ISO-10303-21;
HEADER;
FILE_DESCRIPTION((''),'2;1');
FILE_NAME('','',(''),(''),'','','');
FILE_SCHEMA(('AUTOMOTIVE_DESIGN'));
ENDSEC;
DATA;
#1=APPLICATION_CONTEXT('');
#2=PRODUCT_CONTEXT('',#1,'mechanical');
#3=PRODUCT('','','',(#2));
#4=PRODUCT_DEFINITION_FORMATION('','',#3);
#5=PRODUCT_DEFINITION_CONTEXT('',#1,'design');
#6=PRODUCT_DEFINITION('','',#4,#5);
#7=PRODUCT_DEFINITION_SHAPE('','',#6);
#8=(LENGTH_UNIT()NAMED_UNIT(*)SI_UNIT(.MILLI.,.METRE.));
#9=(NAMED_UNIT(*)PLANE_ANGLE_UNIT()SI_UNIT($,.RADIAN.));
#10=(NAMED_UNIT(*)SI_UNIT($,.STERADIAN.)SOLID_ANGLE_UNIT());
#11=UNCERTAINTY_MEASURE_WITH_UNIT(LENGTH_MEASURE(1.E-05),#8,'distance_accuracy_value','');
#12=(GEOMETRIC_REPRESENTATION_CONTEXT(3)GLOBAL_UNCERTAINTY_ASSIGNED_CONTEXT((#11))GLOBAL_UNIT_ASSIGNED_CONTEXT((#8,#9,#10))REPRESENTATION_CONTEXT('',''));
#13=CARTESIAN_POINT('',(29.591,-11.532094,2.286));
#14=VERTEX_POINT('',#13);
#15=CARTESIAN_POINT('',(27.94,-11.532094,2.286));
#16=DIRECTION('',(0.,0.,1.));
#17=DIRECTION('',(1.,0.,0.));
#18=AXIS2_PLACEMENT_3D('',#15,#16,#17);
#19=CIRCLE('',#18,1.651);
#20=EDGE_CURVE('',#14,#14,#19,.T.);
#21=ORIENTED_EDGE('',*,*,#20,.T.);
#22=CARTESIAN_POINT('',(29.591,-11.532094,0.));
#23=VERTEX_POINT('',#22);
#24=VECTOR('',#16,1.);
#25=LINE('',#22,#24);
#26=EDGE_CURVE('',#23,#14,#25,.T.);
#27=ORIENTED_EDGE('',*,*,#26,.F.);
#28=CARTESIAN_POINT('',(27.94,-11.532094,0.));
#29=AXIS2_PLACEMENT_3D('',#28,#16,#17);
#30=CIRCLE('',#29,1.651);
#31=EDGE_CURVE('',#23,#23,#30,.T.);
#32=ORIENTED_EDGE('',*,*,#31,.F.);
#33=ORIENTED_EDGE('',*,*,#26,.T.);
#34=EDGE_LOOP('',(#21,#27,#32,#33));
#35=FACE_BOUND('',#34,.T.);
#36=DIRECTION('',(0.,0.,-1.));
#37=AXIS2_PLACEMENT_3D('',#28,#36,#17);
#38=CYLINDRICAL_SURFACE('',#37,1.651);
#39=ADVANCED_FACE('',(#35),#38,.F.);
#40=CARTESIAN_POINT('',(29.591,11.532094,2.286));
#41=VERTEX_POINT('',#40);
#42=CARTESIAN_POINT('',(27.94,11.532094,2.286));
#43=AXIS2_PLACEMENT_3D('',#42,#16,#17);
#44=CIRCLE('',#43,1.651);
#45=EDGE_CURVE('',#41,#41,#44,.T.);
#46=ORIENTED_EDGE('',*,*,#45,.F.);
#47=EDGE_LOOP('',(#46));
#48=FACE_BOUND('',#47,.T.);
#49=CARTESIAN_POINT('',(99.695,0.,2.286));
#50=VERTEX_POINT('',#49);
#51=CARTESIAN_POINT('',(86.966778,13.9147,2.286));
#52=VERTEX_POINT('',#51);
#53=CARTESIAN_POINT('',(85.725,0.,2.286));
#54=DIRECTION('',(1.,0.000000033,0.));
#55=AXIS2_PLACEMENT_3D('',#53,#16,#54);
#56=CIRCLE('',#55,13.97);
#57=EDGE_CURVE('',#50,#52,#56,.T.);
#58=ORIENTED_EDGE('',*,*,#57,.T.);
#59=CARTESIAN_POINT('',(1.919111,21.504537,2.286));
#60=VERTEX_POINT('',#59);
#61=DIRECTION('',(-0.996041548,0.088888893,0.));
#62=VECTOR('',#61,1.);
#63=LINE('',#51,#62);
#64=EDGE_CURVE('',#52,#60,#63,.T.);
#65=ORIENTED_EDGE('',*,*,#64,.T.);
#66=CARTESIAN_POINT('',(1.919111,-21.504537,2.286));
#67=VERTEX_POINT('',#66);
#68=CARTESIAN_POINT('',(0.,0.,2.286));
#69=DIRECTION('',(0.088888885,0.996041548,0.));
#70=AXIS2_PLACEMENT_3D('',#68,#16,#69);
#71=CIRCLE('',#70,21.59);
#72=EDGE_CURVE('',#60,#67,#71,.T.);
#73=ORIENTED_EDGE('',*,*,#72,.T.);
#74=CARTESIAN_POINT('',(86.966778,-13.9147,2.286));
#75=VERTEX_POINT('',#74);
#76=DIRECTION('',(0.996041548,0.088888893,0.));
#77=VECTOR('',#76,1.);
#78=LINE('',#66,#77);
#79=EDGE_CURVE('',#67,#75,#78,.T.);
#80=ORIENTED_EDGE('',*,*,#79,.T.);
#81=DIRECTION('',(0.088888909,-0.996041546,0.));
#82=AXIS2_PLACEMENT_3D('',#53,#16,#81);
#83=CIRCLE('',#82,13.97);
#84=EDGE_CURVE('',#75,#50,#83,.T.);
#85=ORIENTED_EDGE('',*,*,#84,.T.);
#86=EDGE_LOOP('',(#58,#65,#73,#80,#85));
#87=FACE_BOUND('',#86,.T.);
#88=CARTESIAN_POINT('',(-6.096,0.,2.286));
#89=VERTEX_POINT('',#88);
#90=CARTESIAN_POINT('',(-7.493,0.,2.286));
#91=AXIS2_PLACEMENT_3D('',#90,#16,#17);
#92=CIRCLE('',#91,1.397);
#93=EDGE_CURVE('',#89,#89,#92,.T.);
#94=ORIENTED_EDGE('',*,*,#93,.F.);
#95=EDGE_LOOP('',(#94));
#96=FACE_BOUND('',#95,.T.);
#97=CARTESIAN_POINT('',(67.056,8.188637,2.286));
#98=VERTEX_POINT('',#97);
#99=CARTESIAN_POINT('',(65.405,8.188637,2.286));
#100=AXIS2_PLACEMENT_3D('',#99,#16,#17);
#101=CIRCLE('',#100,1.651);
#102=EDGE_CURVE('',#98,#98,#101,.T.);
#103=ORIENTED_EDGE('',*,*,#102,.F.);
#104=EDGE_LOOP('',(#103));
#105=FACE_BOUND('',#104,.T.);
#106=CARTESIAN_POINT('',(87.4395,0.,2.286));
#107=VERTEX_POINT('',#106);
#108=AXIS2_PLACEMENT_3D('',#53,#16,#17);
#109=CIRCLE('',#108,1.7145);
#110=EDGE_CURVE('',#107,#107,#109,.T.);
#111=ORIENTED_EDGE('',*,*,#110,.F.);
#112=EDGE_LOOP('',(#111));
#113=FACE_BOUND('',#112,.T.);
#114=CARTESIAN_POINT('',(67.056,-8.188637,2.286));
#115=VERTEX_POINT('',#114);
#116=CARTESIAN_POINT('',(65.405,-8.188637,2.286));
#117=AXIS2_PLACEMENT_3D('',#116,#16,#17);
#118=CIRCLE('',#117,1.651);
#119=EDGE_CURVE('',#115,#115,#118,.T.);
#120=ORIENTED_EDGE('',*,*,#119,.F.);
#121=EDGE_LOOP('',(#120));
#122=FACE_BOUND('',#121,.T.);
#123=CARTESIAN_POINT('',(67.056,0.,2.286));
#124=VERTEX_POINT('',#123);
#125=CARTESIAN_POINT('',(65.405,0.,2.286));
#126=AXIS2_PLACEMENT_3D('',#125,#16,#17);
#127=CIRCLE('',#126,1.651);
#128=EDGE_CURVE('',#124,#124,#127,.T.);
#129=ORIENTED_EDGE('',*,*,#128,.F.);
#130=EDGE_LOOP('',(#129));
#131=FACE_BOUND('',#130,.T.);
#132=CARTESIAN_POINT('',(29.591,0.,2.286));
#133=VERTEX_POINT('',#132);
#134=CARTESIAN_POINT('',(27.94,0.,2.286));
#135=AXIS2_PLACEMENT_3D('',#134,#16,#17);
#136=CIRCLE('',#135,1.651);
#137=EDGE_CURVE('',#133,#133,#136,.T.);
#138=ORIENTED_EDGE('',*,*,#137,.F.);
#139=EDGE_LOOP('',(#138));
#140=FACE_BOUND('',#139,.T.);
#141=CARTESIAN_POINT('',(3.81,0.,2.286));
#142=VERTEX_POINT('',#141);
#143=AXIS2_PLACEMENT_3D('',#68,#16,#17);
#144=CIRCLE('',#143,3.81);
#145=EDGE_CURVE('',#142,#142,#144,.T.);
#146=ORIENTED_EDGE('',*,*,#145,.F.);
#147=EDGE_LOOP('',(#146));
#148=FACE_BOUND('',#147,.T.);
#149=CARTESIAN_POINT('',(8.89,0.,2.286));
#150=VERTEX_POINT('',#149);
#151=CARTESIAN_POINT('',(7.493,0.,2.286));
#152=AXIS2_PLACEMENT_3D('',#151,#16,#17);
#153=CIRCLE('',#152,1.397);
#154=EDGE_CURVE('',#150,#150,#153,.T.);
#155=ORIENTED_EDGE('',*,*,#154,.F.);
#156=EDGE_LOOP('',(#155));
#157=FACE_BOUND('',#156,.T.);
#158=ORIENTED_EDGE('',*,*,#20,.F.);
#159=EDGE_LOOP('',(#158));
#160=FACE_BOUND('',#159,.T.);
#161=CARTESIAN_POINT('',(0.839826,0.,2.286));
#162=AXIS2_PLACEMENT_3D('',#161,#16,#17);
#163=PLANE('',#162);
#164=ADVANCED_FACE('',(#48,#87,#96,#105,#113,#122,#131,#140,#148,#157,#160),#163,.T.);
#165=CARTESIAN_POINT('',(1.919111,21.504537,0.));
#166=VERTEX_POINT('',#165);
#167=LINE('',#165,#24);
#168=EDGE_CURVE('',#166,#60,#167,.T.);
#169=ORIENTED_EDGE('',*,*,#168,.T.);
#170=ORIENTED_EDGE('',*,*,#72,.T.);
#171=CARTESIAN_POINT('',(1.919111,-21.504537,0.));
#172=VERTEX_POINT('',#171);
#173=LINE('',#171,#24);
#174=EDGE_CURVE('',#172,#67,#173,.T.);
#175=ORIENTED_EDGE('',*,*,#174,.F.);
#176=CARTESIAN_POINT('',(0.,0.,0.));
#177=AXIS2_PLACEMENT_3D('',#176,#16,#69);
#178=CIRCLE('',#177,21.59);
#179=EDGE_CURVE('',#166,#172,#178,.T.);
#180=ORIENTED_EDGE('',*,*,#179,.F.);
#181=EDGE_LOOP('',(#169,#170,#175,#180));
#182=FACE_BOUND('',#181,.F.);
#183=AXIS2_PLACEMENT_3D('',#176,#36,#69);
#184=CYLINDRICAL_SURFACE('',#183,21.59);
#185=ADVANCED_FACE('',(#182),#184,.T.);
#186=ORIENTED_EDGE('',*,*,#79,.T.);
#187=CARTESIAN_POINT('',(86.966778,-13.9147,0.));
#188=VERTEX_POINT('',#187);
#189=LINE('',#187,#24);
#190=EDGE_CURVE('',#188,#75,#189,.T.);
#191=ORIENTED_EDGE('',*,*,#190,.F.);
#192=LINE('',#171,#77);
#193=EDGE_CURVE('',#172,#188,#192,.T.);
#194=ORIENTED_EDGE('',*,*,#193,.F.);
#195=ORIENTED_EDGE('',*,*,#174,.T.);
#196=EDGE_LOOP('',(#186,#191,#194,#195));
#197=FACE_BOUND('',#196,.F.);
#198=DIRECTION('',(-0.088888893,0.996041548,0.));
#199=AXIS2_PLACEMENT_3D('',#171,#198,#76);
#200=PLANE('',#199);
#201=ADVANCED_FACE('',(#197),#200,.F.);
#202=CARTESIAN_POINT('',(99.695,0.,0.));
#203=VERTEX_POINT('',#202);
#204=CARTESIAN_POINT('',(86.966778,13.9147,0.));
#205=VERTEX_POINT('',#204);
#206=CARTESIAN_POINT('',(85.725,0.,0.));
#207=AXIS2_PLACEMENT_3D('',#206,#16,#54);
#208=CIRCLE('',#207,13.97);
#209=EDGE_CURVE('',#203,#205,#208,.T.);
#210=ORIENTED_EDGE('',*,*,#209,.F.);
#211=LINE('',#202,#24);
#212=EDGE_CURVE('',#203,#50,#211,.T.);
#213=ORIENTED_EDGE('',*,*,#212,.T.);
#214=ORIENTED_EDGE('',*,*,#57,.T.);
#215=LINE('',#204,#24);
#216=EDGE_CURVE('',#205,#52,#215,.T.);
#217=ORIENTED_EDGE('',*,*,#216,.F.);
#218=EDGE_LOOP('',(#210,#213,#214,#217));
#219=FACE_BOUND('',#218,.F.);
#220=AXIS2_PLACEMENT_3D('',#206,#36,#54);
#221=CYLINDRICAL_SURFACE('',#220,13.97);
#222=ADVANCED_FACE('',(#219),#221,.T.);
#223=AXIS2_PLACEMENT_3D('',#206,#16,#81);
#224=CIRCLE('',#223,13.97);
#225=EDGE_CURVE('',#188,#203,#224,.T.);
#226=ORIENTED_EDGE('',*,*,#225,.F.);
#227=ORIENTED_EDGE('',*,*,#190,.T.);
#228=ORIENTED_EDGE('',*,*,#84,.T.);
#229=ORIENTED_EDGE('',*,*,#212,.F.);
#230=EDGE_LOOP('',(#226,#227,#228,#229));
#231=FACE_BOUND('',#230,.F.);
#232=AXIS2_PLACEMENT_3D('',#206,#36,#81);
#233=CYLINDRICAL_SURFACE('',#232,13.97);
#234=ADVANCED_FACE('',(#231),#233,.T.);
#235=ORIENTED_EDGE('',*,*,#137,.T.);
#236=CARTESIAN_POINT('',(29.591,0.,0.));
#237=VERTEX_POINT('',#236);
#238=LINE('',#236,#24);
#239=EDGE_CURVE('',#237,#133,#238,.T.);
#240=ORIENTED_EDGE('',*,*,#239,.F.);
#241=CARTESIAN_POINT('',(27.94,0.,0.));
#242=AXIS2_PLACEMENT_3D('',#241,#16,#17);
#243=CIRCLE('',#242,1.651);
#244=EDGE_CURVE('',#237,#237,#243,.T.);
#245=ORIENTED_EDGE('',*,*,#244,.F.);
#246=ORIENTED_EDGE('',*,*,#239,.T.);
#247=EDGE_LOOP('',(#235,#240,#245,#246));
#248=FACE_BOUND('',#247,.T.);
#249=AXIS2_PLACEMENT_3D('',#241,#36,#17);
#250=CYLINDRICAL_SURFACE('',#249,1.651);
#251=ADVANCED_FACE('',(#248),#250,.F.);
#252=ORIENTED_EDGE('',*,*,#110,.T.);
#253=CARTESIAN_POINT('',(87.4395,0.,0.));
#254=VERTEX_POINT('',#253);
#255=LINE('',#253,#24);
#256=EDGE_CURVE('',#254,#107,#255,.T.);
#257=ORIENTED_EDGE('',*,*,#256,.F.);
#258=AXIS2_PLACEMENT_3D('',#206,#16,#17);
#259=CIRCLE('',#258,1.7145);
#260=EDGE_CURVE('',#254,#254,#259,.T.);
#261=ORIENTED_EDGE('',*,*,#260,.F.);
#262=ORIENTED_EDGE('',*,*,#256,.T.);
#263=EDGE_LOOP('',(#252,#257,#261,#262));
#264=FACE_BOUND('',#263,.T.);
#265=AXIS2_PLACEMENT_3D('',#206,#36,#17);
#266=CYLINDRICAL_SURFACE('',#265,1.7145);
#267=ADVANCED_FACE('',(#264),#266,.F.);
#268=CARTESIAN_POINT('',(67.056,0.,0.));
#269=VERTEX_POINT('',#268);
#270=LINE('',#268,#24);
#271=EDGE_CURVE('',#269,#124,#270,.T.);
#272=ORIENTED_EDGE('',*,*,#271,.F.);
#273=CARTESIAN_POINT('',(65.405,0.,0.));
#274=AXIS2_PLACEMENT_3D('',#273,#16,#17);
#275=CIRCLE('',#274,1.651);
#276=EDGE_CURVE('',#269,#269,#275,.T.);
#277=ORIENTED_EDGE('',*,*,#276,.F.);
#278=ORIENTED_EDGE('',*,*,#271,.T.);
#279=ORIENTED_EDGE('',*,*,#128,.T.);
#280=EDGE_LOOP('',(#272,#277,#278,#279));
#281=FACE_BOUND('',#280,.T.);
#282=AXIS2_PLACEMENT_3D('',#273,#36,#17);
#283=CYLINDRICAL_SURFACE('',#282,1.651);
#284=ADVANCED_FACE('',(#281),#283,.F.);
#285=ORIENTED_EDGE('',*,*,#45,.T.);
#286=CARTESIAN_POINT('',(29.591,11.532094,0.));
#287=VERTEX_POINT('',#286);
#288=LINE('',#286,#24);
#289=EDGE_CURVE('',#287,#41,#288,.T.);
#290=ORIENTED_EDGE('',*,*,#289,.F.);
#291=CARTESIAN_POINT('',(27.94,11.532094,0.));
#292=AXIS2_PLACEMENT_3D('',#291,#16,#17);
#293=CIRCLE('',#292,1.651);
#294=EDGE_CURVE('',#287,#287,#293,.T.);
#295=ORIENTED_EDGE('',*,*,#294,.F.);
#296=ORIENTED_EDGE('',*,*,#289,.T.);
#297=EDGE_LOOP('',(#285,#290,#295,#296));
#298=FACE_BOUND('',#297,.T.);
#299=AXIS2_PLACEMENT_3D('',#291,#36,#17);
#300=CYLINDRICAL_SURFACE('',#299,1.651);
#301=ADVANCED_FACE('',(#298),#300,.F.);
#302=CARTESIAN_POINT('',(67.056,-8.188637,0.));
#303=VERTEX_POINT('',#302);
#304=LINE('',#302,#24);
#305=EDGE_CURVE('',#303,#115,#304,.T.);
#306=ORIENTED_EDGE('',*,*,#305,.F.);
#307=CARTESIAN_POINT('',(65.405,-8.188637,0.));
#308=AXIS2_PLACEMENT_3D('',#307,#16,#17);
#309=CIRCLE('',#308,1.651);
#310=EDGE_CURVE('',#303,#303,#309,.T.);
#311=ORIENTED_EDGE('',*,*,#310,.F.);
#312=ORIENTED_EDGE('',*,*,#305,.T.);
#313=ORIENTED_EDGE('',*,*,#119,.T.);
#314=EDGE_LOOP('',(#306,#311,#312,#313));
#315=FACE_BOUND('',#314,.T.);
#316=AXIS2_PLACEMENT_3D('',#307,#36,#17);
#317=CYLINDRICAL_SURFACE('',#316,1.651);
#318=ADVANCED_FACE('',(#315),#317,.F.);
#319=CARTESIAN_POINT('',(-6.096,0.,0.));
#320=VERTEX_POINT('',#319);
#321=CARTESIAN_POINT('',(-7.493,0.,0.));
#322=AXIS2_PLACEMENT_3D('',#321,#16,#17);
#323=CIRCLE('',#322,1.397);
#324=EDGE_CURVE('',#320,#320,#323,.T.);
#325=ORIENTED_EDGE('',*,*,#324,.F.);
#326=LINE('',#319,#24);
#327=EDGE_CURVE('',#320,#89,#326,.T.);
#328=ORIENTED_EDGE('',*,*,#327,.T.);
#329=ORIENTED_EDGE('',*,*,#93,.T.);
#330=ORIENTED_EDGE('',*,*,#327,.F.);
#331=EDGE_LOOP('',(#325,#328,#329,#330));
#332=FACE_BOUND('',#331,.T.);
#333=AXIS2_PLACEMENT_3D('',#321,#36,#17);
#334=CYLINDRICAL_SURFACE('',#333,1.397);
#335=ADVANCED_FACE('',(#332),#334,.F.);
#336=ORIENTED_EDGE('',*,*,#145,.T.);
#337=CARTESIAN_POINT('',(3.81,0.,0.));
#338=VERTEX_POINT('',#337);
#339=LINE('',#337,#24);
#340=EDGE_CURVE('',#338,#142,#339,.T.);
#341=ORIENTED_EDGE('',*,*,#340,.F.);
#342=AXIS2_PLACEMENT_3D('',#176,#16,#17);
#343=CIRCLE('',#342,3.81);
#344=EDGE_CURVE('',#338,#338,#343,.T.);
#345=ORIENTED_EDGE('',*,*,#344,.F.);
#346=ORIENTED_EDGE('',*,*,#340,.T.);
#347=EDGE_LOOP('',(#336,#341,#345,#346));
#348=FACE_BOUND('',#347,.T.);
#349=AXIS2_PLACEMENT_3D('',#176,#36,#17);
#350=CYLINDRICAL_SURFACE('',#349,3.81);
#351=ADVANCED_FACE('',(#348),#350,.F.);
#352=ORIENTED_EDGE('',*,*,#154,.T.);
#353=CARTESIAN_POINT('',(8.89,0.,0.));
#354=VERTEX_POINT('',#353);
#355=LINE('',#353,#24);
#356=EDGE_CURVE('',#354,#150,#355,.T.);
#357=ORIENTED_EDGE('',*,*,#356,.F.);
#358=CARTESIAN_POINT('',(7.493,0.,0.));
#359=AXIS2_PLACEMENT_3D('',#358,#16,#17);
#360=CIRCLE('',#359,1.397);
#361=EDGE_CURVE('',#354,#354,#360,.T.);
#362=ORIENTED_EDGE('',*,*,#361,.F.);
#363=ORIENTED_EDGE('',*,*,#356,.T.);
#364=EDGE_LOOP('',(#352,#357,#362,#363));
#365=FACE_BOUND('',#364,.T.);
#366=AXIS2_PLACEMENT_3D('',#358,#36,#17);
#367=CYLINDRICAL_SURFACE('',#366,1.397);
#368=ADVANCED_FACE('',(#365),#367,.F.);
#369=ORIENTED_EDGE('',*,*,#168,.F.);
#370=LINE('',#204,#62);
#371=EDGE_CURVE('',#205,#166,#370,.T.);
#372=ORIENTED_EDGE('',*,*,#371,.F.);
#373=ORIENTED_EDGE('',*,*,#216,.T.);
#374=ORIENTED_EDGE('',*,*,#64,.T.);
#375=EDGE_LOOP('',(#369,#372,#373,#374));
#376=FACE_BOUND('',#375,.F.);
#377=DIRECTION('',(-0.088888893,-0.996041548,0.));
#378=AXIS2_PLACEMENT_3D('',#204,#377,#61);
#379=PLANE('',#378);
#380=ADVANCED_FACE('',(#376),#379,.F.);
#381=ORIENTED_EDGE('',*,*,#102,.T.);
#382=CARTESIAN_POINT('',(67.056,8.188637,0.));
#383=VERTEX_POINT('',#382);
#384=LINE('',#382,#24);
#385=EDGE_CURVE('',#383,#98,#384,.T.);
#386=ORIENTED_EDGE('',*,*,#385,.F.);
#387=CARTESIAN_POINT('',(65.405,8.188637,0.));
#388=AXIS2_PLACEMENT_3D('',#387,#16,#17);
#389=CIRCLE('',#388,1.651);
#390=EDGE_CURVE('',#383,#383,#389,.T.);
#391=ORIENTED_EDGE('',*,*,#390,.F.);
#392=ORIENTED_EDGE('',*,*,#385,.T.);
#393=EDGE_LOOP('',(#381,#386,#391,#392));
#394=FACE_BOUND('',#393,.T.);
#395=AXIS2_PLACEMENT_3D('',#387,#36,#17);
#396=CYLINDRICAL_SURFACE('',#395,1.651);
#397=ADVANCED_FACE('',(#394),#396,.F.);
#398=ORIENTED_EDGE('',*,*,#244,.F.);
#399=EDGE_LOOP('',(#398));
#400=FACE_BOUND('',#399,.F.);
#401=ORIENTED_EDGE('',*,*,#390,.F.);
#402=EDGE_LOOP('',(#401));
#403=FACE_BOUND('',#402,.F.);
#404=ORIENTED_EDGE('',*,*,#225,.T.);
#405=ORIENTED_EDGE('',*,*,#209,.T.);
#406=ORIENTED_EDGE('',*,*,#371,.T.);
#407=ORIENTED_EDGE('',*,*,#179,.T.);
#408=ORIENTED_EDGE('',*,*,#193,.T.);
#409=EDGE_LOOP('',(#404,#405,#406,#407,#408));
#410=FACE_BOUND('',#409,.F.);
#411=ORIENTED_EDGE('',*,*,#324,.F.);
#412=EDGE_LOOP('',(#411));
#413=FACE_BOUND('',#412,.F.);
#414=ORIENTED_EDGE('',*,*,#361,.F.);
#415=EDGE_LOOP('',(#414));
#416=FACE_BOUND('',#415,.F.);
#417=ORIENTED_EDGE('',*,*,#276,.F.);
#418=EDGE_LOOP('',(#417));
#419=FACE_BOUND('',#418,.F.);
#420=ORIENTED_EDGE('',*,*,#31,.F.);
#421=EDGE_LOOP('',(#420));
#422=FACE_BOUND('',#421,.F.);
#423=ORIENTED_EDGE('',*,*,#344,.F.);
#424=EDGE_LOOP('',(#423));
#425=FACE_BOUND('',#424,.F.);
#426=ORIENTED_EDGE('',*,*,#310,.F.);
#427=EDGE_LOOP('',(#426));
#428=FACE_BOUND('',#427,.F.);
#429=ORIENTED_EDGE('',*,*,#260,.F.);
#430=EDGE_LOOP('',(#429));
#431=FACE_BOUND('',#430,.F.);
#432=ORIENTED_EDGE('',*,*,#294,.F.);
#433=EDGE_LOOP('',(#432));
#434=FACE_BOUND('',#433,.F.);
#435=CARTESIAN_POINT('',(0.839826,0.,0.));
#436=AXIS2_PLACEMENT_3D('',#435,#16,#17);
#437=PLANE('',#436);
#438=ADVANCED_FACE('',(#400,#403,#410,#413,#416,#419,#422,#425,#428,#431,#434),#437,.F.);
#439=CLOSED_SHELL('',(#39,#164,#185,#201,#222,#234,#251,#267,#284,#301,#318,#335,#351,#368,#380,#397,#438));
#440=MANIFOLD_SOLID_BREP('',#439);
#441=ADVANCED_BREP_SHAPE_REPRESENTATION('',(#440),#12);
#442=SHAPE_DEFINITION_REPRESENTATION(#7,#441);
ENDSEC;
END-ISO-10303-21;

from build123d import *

# Parameters (mm, degrees)
F0_R     = 1.397
F0_R_2   = 3.81
F0_R_3   = 1.651
F0_R_4   = 1.7145
F1_DEPTH = 2.286


with BuildPart() as f1:
    # F0 (on Top) → F1 (new body)
    with BuildSketch(Plane.XY):
        with BuildLine():
            ThreePointArc((1.919111, -21.504537), (15.930501, -14.572139), (21.59, 0))
            ThreePointArc((21.59, 0), (15.930501, 14.572139), (1.919111, 21.504537))
            ThreePointArc((1.919111, 21.504537), (-21.59, 0), (1.919111, -21.504537))
        make_face()
        with Locations((-7.493, 0)):
            Circle(F0_R, mode=Mode.SUBTRACT)
        Circle(F0_R_2, mode=Mode.SUBTRACT)
        with Locations((7.493, 0)):
            Circle(F0_R, mode=Mode.SUBTRACT)
        with BuildLine():
            ThreePointArc((1.919111, 21.504537), (15.930501, 14.572139), (21.59, 0))
            ThreePointArc((21.59, 0), (15.930501, -14.572139), (1.919111, -21.504537))
            Line((1.919111, -21.504537), (86.966778, -13.9147))
            ThreePointArc((86.966778, -13.9147), (71.755, 0), (86.966778, 13.9147))
            Line((86.966778, 13.9147), (1.919111, 21.504537))
        make_face()
        with Locations((27.94, -11.532094)):
            Circle(F0_R_3, mode=Mode.SUBTRACT)
        with Locations((65.405, -8.188637)):
            Circle(F0_R_3, mode=Mode.SUBTRACT)
        with Locations((27.94, 0)):
            Circle(F0_R_3, mode=Mode.SUBTRACT)
        with Locations((27.94, 11.532094)):
            Circle(F0_R_3, mode=Mode.SUBTRACT)
        with Locations((65.405, 0)):
            Circle(F0_R_3, mode=Mode.SUBTRACT)
        with Locations((65.405, 8.188637)):
            Circle(F0_R_3, mode=Mode.SUBTRACT)
        with BuildLine():
            ThreePointArc((99.695, 0), (96.032971, 9.429031), (86.966778, 13.9147))
            ThreePointArc((86.966778, 13.9147), (71.755, 0), (86.966778, -13.9147))
            ThreePointArc((86.966778, -13.9147), (96.032971, -9.429031), (99.695, 0))
        make_face()
        with Locations((85.725, 0)):
            Circle(F0_R_4, mode=Mode.SUBTRACT)
    extrude(amount=F1_DEPTH)


solid = f1.part
